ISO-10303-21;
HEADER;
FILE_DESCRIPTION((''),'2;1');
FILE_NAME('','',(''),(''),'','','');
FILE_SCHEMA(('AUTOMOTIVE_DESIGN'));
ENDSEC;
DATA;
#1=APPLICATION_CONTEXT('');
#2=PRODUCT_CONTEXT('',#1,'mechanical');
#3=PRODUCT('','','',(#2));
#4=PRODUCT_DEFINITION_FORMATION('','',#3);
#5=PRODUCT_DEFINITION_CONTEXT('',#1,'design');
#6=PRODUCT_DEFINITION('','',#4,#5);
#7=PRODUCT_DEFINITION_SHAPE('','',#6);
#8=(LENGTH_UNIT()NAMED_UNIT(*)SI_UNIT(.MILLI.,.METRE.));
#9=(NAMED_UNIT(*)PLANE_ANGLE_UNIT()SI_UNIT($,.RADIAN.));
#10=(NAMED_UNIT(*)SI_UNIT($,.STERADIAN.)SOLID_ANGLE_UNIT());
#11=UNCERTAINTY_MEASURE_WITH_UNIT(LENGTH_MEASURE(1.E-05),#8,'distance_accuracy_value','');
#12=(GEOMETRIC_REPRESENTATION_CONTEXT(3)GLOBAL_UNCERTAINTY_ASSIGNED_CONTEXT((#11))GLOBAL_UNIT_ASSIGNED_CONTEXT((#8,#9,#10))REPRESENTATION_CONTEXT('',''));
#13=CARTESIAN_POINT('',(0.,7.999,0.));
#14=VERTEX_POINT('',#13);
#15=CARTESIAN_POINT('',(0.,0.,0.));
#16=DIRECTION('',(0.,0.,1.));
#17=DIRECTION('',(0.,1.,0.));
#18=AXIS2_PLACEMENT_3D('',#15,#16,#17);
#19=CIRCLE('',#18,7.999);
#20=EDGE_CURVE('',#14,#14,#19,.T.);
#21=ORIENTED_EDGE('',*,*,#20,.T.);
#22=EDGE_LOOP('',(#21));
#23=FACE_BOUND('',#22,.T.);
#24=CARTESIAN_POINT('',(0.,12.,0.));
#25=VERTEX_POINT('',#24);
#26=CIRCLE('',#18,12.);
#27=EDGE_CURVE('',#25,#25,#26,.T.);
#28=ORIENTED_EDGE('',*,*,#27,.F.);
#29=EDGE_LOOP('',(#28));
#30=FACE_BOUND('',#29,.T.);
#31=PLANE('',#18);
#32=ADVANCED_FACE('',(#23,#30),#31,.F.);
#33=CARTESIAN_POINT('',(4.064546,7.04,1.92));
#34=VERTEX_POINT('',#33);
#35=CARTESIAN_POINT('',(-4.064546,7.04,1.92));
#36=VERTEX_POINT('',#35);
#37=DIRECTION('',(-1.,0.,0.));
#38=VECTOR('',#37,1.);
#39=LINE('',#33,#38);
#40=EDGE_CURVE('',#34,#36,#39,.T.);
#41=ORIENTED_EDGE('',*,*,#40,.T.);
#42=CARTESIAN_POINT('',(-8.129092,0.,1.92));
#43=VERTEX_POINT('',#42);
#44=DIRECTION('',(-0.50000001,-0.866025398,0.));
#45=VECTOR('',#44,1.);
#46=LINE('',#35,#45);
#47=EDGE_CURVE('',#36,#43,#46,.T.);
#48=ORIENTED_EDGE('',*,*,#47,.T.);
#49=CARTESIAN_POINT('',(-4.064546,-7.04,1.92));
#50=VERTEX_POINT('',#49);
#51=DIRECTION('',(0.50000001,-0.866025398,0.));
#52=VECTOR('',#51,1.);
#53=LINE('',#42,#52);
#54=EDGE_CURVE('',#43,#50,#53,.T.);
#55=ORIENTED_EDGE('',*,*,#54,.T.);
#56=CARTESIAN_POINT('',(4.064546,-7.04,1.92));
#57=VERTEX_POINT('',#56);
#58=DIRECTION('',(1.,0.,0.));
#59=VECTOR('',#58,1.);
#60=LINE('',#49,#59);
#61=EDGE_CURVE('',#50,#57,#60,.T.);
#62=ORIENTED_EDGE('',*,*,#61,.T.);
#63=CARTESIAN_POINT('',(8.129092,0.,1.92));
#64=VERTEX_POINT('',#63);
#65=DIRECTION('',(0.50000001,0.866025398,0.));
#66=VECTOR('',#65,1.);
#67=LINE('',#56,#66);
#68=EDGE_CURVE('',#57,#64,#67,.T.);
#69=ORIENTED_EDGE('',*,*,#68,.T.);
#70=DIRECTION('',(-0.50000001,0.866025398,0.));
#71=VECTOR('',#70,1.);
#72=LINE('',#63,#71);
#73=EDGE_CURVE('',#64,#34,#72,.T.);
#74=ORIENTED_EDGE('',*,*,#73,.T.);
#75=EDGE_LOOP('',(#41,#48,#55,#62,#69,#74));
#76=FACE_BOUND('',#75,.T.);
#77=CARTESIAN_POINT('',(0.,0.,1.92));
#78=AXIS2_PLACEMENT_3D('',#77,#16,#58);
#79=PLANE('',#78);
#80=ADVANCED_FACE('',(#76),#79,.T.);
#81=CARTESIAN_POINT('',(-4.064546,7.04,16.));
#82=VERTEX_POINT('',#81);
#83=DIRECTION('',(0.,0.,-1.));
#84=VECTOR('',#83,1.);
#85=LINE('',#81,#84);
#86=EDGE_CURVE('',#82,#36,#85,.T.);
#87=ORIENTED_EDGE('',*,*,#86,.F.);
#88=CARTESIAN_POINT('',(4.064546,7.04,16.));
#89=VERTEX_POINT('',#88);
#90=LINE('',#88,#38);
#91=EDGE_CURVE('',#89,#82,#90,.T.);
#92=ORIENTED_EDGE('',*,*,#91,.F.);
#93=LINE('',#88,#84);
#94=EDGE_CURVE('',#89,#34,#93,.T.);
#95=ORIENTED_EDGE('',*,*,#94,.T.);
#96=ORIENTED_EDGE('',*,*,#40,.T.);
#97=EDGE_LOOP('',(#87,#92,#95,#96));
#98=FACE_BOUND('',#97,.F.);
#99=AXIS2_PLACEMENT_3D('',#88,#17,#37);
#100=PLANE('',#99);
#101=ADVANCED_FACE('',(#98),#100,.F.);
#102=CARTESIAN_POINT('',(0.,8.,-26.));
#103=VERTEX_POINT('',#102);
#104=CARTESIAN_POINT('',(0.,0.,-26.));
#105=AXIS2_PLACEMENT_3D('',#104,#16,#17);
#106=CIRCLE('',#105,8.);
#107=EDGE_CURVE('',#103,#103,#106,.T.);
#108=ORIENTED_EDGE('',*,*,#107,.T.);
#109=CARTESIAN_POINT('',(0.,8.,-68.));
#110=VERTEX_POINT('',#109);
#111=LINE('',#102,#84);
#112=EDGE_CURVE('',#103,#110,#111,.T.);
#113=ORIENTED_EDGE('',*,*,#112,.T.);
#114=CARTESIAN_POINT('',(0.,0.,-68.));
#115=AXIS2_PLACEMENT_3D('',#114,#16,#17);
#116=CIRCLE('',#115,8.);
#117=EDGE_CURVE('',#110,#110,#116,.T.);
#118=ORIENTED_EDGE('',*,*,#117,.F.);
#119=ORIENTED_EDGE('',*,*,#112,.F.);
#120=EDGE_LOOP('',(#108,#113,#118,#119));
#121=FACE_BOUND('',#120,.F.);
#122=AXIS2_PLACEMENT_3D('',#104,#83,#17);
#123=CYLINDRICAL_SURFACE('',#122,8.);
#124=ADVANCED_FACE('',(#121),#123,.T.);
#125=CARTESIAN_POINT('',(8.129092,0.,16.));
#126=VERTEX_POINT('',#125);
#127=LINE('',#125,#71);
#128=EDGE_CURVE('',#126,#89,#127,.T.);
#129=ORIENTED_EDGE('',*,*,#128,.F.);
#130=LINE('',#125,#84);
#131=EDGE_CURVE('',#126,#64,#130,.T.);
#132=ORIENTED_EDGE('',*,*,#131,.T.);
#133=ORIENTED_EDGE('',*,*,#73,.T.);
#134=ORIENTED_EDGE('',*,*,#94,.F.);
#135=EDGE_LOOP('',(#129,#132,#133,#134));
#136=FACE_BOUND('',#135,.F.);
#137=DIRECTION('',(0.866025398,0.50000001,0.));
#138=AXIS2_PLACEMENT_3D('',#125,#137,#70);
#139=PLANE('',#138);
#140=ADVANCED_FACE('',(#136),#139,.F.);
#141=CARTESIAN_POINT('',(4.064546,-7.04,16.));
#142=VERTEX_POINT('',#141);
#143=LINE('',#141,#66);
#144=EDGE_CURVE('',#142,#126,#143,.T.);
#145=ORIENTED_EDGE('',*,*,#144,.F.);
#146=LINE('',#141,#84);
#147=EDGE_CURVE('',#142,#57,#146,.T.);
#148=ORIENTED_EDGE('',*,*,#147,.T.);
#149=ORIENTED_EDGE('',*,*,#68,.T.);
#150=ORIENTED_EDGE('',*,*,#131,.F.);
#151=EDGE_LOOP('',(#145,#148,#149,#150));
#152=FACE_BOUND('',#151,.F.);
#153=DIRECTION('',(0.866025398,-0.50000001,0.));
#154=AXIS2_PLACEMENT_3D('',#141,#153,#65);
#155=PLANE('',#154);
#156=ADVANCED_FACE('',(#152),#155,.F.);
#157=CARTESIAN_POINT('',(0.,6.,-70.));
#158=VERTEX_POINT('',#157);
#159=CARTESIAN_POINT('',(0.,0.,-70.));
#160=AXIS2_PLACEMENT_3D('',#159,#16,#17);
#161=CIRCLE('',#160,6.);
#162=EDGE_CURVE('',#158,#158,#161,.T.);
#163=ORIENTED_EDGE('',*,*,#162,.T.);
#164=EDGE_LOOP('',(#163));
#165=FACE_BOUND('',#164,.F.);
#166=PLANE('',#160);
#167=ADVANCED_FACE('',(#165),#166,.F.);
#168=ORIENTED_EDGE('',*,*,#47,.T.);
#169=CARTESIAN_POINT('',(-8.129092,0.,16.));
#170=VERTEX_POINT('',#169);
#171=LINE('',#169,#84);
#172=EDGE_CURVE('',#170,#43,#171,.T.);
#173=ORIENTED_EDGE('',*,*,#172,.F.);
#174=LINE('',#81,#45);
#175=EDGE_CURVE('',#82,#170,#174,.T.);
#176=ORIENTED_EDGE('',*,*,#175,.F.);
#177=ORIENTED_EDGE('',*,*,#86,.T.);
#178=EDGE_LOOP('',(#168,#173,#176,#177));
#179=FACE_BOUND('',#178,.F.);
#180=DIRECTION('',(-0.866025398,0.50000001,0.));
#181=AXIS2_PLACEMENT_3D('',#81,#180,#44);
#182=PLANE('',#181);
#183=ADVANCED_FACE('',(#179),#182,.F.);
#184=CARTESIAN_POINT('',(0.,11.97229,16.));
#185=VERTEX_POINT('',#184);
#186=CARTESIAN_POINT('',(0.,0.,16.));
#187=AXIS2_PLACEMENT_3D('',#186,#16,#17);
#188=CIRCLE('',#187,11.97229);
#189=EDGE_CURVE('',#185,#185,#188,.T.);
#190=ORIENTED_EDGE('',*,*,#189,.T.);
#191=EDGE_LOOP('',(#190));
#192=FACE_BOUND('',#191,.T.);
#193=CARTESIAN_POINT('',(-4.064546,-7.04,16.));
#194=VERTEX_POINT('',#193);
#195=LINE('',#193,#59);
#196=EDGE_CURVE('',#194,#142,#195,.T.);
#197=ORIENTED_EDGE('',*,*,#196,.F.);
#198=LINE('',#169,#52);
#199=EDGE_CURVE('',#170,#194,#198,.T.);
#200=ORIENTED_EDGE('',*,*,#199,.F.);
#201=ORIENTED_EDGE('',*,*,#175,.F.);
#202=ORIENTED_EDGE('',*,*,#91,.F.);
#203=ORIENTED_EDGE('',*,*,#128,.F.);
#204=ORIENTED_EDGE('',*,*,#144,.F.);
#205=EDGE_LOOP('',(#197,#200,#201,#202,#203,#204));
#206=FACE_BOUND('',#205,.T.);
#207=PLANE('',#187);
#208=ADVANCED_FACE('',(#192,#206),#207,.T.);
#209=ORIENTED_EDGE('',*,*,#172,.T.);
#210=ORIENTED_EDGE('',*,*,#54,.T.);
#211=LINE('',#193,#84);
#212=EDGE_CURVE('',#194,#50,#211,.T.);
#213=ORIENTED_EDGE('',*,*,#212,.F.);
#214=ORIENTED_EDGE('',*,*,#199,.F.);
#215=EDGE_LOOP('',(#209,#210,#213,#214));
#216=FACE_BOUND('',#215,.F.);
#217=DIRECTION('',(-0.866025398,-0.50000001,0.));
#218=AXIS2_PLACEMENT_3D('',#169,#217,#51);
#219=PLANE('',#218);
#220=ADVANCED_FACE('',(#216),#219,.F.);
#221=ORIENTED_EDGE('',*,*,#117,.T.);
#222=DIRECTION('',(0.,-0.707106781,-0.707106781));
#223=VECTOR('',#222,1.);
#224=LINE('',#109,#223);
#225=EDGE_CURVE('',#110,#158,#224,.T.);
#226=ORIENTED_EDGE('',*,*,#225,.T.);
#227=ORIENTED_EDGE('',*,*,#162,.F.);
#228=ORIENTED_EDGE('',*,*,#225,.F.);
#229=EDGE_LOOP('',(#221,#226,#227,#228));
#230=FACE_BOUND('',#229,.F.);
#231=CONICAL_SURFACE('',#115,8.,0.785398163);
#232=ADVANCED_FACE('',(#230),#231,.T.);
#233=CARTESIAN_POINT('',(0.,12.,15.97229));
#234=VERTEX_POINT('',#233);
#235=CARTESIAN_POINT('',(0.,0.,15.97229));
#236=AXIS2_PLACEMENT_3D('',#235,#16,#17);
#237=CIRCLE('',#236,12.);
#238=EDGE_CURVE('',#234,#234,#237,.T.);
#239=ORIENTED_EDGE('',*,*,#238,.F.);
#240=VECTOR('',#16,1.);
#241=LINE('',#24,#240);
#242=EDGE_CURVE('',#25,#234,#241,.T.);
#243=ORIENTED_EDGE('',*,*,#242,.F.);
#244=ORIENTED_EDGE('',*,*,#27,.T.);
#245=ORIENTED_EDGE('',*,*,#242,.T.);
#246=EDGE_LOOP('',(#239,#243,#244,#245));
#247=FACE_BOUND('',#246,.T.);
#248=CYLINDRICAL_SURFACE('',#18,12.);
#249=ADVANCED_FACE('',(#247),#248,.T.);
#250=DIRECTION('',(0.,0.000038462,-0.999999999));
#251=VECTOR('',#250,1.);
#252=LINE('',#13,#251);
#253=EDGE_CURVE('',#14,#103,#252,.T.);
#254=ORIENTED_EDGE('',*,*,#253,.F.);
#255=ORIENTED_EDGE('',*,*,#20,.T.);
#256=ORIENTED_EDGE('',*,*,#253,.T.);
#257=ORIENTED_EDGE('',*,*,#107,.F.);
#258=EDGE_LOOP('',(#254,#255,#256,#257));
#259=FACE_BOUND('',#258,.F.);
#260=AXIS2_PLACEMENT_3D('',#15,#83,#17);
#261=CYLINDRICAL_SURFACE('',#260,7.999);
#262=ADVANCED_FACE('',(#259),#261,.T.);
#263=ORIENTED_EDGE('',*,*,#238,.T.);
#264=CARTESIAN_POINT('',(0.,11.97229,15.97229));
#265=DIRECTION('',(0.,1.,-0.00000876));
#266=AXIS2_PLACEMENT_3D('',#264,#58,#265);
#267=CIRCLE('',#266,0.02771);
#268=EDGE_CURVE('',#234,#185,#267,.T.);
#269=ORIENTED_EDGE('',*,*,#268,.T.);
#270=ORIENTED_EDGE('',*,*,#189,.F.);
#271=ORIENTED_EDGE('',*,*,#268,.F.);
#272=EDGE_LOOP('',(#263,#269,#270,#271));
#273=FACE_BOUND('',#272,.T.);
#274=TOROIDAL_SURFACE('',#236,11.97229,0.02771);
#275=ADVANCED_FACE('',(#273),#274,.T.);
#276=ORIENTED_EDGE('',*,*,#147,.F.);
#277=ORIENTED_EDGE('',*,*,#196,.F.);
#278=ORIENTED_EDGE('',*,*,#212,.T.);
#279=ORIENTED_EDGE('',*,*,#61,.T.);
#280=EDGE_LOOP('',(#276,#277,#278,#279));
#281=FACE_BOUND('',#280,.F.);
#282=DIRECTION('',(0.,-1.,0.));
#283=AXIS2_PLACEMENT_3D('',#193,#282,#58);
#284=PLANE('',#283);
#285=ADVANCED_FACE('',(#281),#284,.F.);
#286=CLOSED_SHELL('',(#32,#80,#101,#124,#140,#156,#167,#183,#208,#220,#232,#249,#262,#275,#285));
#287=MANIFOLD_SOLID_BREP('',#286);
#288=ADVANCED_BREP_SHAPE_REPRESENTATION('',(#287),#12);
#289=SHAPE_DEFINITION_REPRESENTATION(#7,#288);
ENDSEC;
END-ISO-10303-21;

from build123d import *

# Parameters (mm, degrees)
POCKET_DEPTH = 14.08


with BuildPart() as part:
    # Sketch → Revolve (revolve)
    with BuildSketch(Plane.YZ):
        with BuildLine():
            Line((7.999, 0), (12, 0))
            Line((12, 0), (12, 15.97229))
            ThreePointArc((12, 15.97229), (11.991884, 15.991884), (11.97229, 16))
            Line((11.97229, 16), (0, 16))
            Line((0, -70), (0, 16))
            Line((6, -70), (0, -70))
            Line((8, -68), (6, -70))
            Line((8, -26), (8, -68))
            Line((7.999, 0), (8, -26))
        make_face()
    revolve(axis=Axis((0, 0, 0), (0, 0, 1)))

    # Sketch001 → Pocket (cut)
    with BuildSketch(Plane.XY.offset(16)):
        Polygon((8.129092, 0), (4.064546, 7.04), (-4.064546, 7.04), (-8.129092, 0), (-4.064546, -7.04), (4.064546, -7.04), align=None)
    extrude(amount=-POCKET_DEPTH, mode=Mode.SUBTRACT)


solid = part.part
